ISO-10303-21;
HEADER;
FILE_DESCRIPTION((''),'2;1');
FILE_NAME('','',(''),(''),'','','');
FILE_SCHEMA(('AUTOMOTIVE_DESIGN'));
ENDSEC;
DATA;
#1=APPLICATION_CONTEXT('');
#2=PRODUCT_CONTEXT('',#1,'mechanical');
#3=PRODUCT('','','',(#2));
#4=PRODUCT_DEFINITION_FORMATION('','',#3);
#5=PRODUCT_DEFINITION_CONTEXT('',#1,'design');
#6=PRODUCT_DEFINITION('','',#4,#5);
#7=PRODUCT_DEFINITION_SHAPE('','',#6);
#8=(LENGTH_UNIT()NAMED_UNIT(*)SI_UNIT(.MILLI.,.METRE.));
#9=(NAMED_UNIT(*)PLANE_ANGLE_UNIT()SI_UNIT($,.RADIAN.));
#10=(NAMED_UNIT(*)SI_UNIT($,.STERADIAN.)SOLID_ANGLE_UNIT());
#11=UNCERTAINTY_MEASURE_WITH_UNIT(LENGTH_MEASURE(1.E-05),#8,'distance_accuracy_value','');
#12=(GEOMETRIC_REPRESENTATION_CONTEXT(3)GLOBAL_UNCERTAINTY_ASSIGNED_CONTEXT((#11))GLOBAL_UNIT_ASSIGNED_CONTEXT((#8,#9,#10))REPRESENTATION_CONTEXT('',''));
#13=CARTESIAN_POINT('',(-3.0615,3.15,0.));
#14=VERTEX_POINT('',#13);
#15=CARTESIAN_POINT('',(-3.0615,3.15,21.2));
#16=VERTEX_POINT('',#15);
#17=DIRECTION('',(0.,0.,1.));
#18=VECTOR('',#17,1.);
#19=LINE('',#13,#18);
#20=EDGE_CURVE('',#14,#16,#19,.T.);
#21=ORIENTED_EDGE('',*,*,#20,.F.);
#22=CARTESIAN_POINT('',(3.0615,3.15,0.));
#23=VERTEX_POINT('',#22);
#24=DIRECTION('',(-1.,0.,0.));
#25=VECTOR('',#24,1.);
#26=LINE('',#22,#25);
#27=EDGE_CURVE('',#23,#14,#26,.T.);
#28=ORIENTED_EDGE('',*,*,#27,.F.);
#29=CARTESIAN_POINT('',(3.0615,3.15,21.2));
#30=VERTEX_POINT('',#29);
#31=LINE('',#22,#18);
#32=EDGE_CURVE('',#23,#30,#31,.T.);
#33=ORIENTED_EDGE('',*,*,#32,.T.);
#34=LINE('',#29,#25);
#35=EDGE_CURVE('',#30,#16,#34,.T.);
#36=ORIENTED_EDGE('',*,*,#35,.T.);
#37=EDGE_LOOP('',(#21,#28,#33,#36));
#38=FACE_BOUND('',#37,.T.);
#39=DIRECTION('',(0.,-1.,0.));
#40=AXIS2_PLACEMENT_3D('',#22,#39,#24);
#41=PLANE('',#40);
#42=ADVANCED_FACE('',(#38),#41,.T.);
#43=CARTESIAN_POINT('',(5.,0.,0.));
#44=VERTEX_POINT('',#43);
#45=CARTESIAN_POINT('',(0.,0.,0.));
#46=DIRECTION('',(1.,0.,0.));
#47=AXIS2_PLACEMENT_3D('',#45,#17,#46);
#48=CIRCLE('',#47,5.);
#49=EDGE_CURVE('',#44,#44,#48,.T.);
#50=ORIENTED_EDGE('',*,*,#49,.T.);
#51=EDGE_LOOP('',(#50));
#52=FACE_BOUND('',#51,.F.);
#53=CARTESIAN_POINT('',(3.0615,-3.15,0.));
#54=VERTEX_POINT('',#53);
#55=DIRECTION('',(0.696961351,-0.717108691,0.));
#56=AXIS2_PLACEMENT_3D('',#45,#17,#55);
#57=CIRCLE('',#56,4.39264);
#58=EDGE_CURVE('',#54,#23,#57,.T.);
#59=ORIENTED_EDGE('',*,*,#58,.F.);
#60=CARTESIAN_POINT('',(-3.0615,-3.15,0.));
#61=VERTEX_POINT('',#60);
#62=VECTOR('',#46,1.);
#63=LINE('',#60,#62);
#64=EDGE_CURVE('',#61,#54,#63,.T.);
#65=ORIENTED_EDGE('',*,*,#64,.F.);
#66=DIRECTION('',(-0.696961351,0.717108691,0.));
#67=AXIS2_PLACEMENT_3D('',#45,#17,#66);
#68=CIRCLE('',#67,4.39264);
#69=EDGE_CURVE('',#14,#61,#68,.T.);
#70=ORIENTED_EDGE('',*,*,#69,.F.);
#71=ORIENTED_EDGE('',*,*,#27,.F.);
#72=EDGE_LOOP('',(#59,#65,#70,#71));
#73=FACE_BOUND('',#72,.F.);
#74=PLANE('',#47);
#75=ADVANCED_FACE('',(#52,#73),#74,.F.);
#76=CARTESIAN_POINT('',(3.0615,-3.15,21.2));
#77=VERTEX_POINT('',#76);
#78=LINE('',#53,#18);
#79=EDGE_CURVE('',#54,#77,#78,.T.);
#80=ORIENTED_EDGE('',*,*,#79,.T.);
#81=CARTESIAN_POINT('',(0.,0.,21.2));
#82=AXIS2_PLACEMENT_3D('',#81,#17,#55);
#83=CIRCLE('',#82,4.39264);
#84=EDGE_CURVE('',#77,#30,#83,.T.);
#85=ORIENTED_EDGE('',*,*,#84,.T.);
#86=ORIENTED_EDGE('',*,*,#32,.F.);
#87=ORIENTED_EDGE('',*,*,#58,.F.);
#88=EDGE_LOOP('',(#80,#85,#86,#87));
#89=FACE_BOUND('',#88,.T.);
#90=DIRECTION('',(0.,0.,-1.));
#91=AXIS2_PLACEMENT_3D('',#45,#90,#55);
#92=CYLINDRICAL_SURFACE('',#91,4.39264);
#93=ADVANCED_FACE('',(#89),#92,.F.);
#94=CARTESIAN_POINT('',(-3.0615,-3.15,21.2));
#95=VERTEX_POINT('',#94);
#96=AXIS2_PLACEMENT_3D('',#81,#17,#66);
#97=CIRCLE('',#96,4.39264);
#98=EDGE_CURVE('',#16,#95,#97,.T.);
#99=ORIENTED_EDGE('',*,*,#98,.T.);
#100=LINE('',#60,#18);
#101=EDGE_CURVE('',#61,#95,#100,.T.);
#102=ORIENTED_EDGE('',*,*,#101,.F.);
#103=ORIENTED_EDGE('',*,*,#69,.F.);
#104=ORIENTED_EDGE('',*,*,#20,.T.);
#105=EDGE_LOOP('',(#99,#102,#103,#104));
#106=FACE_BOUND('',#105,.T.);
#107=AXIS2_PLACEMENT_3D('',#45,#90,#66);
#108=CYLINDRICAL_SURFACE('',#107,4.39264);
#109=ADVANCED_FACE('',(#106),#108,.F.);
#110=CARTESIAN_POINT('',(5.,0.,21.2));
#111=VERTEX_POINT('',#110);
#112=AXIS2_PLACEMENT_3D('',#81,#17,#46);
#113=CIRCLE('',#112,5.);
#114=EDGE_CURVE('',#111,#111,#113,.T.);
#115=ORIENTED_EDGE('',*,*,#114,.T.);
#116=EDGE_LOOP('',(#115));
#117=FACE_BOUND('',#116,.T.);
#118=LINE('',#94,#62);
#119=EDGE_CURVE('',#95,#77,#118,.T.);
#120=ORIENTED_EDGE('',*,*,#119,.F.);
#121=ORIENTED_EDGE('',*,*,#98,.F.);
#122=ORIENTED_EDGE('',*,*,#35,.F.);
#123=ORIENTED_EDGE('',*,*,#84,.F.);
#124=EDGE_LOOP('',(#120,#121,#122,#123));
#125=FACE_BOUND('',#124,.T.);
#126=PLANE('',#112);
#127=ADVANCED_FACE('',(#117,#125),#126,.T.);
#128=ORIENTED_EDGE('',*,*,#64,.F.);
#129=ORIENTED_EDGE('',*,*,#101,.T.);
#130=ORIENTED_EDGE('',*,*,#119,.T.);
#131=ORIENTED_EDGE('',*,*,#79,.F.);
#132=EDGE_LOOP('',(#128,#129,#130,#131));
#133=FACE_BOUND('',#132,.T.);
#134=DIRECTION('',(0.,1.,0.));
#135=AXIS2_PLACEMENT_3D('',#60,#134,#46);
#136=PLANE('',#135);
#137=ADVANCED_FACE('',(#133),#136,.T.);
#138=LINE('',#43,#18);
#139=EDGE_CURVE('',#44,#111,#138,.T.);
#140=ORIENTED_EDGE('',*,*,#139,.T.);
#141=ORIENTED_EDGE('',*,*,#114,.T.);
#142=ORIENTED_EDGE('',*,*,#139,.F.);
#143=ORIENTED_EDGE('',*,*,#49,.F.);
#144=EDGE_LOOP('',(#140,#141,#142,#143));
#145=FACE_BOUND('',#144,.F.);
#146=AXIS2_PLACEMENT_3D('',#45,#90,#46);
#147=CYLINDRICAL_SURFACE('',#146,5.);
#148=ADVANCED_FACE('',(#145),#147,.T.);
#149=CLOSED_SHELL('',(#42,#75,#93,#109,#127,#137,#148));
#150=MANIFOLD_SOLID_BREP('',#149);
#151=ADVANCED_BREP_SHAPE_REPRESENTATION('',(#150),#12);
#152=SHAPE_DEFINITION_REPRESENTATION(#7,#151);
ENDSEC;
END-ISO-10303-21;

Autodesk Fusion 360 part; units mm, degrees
sketch "Spacer_Wheel_Ax_Sketch" plane through (0, 0, 0) normal (0, 0, 1) x (1, 0, 0)
  circle A0 centre (0, 0) radius 5
  arc A1 (-3, 3) -> (-3, -3) centre (0, 0) ccw
  line L0 (3, 3) -> (-3, 3)
  arc A2 (3, -3) -> (3, 3) centre (0, 0) ccw
  line L1 (-3, -3) -> (3, -3)
  line L2 (-3.0615, -3.15) -> (3.0615, -3.15)
  arc A3 (3.0615, -3.15) -> (3.0615, 3.15) centre (0, 0) ccw
  line L3 (3.0615, 3.15) -> (-3.0615, 3.15)
  arc A4 (-3.0615, 3.15) -> (-3.0615, -3.15) centre (0, 0) ccw
  dimension "d1" = 0.15
extrude "Extrude1" add sketch "Spacer_Wheel_Ax_Sketch" along normal blind 21.2 contours A0
